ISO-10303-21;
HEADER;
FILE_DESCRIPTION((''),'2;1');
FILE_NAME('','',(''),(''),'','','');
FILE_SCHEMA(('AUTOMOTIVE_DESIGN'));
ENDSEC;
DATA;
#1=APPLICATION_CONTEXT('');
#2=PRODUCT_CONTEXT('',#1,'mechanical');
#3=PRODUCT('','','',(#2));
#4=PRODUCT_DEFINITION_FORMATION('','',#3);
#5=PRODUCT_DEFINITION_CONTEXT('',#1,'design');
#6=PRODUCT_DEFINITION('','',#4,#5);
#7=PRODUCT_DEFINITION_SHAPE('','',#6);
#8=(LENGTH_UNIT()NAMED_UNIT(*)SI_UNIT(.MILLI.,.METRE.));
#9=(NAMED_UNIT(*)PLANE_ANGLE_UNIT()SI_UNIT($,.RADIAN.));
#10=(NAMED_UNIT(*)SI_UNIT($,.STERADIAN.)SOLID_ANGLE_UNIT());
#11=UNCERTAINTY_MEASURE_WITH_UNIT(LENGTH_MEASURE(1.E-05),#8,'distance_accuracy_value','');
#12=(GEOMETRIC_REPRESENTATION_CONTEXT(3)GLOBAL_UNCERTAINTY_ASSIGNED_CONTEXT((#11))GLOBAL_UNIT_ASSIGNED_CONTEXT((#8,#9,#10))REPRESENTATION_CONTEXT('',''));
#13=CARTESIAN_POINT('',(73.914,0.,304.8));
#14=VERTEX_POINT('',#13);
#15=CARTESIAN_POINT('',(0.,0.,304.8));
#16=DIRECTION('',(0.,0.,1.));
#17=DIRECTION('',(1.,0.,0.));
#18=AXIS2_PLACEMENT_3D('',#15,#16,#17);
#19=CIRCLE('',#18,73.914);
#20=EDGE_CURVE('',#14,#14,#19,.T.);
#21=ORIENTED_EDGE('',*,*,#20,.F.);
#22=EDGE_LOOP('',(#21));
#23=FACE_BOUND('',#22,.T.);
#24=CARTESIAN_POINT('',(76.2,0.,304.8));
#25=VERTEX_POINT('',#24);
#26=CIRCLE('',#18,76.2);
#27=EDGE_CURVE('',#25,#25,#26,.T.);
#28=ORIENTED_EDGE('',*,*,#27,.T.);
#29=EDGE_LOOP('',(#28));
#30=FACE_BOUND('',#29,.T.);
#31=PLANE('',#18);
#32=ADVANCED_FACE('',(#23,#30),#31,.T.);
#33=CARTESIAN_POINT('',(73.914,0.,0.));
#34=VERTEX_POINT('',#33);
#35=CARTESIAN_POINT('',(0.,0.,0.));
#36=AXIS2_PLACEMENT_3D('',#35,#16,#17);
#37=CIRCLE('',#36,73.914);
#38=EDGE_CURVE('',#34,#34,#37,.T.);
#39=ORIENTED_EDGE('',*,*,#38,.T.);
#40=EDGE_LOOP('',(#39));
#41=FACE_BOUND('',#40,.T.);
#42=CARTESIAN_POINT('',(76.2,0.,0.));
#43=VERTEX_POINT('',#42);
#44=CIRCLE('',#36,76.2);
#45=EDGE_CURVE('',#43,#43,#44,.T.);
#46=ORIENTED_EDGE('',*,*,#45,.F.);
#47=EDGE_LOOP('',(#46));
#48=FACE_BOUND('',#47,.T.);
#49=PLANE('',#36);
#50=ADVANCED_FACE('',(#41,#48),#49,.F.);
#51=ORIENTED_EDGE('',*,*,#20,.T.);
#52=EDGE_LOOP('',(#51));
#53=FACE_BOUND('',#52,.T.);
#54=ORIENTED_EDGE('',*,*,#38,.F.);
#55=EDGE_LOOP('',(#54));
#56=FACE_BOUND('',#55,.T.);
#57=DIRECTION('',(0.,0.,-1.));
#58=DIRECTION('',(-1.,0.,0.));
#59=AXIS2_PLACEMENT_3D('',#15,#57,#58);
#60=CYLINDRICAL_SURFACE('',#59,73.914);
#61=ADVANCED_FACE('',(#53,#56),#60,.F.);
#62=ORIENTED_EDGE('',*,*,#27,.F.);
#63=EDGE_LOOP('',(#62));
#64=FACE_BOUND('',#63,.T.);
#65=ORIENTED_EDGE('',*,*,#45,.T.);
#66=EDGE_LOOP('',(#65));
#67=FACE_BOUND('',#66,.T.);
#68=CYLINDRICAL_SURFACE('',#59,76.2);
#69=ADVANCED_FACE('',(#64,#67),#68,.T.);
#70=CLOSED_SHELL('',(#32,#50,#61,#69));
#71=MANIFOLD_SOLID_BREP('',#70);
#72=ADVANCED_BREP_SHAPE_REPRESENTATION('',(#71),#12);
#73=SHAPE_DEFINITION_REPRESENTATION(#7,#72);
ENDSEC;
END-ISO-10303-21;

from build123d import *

# Parameters (mm, degrees)
SKETCH1_R           = 76.2
SKETCH1_R_2         = 73.914
BOSS_EXTRUDE1_DEPTH = 304.8


with BuildPart() as part:
    # Sketch1 → Boss-Extrude1 (new body)
    with BuildSketch(Plane.XY):
        Circle(SKETCH1_R)
        Circle(SKETCH1_R_2, mode=Mode.SUBTRACT)
    extrude(amount=BOSS_EXTRUDE1_DEPTH)


solid = part.part
